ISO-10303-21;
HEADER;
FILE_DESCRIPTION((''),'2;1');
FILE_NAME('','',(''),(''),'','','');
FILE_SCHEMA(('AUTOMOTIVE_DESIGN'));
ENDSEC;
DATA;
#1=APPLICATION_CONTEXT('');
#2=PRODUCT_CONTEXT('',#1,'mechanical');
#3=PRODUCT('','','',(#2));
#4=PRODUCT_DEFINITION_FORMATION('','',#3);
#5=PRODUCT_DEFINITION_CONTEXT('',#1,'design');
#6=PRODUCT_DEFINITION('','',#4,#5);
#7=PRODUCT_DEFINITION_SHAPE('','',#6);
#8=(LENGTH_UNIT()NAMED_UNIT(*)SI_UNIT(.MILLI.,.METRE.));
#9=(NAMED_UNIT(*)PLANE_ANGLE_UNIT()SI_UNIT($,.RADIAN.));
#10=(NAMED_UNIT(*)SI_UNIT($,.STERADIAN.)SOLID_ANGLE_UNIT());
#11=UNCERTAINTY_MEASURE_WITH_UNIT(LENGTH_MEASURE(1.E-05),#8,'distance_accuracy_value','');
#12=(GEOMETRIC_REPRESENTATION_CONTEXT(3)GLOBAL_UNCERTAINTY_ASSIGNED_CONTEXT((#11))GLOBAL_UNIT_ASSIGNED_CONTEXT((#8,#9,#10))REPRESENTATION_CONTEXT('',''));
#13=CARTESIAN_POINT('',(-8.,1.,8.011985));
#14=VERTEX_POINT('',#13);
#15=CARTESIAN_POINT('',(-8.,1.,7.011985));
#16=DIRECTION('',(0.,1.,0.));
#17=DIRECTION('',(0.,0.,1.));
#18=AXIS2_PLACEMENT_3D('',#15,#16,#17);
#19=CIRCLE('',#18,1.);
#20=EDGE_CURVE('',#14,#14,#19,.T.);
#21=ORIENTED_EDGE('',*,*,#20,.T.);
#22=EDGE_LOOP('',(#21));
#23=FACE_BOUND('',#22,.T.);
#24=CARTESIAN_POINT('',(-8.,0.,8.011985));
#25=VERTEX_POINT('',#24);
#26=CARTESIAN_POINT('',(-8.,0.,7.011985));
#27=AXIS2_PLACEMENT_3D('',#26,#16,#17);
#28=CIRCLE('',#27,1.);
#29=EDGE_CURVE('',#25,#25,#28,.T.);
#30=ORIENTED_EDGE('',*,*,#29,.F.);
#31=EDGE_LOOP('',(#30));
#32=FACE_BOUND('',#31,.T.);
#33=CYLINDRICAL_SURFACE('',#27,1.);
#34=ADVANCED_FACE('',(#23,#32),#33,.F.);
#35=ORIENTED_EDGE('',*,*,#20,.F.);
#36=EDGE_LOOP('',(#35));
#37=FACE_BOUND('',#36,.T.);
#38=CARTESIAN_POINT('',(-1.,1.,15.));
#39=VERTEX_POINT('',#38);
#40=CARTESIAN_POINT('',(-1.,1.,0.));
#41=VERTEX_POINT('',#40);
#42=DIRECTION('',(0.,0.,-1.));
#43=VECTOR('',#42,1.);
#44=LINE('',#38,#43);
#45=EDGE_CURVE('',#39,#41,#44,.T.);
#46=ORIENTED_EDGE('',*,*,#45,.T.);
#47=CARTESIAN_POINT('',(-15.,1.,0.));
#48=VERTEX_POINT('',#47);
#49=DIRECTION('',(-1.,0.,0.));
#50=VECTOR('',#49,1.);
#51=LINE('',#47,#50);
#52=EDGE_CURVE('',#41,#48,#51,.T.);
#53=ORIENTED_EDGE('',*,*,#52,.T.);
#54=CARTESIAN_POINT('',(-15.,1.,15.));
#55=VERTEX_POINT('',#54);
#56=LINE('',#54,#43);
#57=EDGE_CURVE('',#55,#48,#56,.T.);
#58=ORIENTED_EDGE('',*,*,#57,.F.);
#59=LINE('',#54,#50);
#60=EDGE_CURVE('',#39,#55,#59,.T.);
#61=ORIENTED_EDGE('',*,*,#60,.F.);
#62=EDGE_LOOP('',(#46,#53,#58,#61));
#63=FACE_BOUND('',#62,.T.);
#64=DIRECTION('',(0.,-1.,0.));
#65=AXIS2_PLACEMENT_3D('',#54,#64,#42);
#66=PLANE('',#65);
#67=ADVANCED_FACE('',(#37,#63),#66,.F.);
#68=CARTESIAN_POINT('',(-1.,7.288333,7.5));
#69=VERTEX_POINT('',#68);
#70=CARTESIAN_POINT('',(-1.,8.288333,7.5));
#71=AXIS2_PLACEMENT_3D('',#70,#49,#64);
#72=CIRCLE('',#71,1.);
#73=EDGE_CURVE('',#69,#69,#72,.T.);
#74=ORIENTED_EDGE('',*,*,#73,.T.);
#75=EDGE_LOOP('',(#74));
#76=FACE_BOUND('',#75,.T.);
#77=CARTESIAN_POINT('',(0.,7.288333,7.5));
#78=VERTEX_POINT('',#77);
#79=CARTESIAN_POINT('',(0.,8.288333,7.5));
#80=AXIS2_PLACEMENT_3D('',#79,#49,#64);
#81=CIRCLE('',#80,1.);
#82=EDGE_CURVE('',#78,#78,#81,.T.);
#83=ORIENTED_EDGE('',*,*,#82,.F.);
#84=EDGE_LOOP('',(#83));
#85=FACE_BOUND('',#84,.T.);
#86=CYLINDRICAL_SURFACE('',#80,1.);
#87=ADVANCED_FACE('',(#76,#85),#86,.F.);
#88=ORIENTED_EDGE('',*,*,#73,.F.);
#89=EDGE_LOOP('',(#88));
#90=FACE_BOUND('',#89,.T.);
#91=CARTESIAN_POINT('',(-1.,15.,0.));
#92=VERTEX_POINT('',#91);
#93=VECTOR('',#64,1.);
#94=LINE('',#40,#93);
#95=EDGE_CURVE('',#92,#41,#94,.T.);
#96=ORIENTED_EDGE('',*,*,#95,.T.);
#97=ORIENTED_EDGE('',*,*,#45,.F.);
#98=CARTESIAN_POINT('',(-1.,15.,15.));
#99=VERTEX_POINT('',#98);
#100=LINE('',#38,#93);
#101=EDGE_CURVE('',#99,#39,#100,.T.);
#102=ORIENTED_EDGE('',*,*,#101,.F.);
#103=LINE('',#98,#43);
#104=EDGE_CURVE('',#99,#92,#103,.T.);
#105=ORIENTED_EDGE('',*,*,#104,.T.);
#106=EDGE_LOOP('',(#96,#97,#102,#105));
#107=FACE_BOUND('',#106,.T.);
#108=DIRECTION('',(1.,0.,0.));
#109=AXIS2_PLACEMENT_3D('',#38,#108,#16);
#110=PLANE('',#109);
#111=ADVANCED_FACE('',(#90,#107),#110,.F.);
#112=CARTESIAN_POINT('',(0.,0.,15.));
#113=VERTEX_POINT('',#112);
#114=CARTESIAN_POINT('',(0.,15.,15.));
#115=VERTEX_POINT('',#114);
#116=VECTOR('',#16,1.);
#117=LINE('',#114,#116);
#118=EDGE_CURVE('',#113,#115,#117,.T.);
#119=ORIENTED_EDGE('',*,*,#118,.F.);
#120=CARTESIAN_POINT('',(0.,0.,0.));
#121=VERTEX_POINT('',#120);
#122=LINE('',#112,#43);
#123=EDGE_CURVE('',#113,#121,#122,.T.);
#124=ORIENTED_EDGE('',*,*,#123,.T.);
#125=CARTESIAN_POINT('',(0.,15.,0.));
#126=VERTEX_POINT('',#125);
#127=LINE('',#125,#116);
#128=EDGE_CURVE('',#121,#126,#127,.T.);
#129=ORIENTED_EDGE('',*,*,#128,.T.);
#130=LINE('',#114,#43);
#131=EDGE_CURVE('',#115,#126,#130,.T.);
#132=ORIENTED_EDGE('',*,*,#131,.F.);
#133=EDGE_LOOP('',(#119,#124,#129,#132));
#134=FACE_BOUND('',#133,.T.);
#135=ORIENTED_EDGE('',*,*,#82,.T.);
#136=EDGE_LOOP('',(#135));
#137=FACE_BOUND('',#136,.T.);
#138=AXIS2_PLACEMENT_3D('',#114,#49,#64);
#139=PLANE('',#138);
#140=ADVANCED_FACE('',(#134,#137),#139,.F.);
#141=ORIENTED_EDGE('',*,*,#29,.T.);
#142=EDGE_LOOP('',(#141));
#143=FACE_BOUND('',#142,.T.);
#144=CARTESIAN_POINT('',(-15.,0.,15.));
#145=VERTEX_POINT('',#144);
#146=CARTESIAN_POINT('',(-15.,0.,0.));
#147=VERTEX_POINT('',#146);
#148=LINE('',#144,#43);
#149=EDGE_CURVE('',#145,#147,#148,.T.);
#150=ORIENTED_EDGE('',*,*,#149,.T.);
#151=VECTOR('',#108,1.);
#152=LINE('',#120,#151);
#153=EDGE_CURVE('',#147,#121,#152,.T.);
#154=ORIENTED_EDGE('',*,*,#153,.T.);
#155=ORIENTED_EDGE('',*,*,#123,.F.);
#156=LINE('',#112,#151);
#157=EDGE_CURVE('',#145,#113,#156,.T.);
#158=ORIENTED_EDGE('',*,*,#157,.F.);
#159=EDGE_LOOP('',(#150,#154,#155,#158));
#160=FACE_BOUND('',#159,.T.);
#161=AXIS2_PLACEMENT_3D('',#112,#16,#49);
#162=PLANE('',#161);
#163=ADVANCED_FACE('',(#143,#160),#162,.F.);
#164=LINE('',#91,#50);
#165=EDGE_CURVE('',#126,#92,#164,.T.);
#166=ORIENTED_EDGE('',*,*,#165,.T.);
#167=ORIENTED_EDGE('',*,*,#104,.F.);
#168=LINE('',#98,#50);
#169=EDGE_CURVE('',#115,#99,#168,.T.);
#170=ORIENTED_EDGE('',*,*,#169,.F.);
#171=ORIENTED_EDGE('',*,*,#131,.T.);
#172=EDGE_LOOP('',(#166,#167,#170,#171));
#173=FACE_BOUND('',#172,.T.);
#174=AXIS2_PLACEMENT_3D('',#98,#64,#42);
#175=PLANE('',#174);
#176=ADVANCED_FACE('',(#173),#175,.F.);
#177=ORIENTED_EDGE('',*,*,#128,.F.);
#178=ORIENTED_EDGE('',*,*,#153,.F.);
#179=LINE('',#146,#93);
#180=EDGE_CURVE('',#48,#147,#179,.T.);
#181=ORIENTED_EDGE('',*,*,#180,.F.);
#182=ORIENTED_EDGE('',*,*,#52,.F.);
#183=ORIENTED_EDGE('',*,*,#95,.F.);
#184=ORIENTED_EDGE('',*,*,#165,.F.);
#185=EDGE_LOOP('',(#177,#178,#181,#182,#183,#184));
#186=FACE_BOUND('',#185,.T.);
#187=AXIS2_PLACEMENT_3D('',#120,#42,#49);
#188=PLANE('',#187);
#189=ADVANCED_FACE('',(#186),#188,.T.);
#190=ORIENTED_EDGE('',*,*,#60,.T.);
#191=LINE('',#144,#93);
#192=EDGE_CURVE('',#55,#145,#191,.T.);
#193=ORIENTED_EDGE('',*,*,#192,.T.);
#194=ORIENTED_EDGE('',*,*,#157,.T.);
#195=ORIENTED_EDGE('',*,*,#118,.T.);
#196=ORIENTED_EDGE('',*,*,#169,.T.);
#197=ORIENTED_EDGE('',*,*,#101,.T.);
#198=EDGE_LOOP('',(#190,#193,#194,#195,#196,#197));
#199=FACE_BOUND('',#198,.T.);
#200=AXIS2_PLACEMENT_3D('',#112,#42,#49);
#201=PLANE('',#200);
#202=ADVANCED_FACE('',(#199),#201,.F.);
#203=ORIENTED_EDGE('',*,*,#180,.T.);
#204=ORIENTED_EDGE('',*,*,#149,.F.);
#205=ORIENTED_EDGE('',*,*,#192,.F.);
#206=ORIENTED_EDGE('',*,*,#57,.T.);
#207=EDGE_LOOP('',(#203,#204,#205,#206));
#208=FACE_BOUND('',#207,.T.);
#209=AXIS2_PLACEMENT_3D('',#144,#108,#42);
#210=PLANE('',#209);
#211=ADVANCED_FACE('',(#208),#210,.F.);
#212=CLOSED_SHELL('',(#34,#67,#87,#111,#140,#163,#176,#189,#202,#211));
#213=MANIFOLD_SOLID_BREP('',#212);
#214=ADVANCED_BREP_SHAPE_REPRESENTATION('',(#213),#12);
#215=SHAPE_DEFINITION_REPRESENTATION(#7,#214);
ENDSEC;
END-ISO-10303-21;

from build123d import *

# Parameters (mm, degrees)
EXTRUDE_1_DEPTH     = 15
SKETCH_2_R          = 1
CUT_EXTRUDE_1_DEPTH = 2
SKETCH_3_R          = 1
CUT_EXTRUDE_2_DEPTH = 2


with BuildPart() as part:
    # 草图1 → 凸台-拉伸1 (new body)
    with BuildSketch(Plane.XY):
        Polygon((0, 0), (-15, 0), (-15, 1), (-1, 1), (-1, 15), (0, 15), align=None)
    extrude(amount=EXTRUDE_1_DEPTH)

    # 草图2 → 切除-拉伸1 (cut, through all)
    with BuildSketch(Plane.ZY.offset(1)):
        with Locations((7.5, 8.288332676)):
            Circle(SKETCH_2_R)
    extrude(amount=-CUT_EXTRUDE_1_DEPTH, mode=Mode.SUBTRACT)

    # 草图3 → 切除-拉伸2 (cut, through all)
    with BuildSketch(Plane(origin=(0, 1, 0), x_dir=(1, 0, 0), z_dir=(0, 1, 0))):
        with Locations((-8, -7.011984534)):
            Circle(SKETCH_3_R)
    extrude(amount=-CUT_EXTRUDE_2_DEPTH, mode=Mode.SUBTRACT)


solid = part.part
